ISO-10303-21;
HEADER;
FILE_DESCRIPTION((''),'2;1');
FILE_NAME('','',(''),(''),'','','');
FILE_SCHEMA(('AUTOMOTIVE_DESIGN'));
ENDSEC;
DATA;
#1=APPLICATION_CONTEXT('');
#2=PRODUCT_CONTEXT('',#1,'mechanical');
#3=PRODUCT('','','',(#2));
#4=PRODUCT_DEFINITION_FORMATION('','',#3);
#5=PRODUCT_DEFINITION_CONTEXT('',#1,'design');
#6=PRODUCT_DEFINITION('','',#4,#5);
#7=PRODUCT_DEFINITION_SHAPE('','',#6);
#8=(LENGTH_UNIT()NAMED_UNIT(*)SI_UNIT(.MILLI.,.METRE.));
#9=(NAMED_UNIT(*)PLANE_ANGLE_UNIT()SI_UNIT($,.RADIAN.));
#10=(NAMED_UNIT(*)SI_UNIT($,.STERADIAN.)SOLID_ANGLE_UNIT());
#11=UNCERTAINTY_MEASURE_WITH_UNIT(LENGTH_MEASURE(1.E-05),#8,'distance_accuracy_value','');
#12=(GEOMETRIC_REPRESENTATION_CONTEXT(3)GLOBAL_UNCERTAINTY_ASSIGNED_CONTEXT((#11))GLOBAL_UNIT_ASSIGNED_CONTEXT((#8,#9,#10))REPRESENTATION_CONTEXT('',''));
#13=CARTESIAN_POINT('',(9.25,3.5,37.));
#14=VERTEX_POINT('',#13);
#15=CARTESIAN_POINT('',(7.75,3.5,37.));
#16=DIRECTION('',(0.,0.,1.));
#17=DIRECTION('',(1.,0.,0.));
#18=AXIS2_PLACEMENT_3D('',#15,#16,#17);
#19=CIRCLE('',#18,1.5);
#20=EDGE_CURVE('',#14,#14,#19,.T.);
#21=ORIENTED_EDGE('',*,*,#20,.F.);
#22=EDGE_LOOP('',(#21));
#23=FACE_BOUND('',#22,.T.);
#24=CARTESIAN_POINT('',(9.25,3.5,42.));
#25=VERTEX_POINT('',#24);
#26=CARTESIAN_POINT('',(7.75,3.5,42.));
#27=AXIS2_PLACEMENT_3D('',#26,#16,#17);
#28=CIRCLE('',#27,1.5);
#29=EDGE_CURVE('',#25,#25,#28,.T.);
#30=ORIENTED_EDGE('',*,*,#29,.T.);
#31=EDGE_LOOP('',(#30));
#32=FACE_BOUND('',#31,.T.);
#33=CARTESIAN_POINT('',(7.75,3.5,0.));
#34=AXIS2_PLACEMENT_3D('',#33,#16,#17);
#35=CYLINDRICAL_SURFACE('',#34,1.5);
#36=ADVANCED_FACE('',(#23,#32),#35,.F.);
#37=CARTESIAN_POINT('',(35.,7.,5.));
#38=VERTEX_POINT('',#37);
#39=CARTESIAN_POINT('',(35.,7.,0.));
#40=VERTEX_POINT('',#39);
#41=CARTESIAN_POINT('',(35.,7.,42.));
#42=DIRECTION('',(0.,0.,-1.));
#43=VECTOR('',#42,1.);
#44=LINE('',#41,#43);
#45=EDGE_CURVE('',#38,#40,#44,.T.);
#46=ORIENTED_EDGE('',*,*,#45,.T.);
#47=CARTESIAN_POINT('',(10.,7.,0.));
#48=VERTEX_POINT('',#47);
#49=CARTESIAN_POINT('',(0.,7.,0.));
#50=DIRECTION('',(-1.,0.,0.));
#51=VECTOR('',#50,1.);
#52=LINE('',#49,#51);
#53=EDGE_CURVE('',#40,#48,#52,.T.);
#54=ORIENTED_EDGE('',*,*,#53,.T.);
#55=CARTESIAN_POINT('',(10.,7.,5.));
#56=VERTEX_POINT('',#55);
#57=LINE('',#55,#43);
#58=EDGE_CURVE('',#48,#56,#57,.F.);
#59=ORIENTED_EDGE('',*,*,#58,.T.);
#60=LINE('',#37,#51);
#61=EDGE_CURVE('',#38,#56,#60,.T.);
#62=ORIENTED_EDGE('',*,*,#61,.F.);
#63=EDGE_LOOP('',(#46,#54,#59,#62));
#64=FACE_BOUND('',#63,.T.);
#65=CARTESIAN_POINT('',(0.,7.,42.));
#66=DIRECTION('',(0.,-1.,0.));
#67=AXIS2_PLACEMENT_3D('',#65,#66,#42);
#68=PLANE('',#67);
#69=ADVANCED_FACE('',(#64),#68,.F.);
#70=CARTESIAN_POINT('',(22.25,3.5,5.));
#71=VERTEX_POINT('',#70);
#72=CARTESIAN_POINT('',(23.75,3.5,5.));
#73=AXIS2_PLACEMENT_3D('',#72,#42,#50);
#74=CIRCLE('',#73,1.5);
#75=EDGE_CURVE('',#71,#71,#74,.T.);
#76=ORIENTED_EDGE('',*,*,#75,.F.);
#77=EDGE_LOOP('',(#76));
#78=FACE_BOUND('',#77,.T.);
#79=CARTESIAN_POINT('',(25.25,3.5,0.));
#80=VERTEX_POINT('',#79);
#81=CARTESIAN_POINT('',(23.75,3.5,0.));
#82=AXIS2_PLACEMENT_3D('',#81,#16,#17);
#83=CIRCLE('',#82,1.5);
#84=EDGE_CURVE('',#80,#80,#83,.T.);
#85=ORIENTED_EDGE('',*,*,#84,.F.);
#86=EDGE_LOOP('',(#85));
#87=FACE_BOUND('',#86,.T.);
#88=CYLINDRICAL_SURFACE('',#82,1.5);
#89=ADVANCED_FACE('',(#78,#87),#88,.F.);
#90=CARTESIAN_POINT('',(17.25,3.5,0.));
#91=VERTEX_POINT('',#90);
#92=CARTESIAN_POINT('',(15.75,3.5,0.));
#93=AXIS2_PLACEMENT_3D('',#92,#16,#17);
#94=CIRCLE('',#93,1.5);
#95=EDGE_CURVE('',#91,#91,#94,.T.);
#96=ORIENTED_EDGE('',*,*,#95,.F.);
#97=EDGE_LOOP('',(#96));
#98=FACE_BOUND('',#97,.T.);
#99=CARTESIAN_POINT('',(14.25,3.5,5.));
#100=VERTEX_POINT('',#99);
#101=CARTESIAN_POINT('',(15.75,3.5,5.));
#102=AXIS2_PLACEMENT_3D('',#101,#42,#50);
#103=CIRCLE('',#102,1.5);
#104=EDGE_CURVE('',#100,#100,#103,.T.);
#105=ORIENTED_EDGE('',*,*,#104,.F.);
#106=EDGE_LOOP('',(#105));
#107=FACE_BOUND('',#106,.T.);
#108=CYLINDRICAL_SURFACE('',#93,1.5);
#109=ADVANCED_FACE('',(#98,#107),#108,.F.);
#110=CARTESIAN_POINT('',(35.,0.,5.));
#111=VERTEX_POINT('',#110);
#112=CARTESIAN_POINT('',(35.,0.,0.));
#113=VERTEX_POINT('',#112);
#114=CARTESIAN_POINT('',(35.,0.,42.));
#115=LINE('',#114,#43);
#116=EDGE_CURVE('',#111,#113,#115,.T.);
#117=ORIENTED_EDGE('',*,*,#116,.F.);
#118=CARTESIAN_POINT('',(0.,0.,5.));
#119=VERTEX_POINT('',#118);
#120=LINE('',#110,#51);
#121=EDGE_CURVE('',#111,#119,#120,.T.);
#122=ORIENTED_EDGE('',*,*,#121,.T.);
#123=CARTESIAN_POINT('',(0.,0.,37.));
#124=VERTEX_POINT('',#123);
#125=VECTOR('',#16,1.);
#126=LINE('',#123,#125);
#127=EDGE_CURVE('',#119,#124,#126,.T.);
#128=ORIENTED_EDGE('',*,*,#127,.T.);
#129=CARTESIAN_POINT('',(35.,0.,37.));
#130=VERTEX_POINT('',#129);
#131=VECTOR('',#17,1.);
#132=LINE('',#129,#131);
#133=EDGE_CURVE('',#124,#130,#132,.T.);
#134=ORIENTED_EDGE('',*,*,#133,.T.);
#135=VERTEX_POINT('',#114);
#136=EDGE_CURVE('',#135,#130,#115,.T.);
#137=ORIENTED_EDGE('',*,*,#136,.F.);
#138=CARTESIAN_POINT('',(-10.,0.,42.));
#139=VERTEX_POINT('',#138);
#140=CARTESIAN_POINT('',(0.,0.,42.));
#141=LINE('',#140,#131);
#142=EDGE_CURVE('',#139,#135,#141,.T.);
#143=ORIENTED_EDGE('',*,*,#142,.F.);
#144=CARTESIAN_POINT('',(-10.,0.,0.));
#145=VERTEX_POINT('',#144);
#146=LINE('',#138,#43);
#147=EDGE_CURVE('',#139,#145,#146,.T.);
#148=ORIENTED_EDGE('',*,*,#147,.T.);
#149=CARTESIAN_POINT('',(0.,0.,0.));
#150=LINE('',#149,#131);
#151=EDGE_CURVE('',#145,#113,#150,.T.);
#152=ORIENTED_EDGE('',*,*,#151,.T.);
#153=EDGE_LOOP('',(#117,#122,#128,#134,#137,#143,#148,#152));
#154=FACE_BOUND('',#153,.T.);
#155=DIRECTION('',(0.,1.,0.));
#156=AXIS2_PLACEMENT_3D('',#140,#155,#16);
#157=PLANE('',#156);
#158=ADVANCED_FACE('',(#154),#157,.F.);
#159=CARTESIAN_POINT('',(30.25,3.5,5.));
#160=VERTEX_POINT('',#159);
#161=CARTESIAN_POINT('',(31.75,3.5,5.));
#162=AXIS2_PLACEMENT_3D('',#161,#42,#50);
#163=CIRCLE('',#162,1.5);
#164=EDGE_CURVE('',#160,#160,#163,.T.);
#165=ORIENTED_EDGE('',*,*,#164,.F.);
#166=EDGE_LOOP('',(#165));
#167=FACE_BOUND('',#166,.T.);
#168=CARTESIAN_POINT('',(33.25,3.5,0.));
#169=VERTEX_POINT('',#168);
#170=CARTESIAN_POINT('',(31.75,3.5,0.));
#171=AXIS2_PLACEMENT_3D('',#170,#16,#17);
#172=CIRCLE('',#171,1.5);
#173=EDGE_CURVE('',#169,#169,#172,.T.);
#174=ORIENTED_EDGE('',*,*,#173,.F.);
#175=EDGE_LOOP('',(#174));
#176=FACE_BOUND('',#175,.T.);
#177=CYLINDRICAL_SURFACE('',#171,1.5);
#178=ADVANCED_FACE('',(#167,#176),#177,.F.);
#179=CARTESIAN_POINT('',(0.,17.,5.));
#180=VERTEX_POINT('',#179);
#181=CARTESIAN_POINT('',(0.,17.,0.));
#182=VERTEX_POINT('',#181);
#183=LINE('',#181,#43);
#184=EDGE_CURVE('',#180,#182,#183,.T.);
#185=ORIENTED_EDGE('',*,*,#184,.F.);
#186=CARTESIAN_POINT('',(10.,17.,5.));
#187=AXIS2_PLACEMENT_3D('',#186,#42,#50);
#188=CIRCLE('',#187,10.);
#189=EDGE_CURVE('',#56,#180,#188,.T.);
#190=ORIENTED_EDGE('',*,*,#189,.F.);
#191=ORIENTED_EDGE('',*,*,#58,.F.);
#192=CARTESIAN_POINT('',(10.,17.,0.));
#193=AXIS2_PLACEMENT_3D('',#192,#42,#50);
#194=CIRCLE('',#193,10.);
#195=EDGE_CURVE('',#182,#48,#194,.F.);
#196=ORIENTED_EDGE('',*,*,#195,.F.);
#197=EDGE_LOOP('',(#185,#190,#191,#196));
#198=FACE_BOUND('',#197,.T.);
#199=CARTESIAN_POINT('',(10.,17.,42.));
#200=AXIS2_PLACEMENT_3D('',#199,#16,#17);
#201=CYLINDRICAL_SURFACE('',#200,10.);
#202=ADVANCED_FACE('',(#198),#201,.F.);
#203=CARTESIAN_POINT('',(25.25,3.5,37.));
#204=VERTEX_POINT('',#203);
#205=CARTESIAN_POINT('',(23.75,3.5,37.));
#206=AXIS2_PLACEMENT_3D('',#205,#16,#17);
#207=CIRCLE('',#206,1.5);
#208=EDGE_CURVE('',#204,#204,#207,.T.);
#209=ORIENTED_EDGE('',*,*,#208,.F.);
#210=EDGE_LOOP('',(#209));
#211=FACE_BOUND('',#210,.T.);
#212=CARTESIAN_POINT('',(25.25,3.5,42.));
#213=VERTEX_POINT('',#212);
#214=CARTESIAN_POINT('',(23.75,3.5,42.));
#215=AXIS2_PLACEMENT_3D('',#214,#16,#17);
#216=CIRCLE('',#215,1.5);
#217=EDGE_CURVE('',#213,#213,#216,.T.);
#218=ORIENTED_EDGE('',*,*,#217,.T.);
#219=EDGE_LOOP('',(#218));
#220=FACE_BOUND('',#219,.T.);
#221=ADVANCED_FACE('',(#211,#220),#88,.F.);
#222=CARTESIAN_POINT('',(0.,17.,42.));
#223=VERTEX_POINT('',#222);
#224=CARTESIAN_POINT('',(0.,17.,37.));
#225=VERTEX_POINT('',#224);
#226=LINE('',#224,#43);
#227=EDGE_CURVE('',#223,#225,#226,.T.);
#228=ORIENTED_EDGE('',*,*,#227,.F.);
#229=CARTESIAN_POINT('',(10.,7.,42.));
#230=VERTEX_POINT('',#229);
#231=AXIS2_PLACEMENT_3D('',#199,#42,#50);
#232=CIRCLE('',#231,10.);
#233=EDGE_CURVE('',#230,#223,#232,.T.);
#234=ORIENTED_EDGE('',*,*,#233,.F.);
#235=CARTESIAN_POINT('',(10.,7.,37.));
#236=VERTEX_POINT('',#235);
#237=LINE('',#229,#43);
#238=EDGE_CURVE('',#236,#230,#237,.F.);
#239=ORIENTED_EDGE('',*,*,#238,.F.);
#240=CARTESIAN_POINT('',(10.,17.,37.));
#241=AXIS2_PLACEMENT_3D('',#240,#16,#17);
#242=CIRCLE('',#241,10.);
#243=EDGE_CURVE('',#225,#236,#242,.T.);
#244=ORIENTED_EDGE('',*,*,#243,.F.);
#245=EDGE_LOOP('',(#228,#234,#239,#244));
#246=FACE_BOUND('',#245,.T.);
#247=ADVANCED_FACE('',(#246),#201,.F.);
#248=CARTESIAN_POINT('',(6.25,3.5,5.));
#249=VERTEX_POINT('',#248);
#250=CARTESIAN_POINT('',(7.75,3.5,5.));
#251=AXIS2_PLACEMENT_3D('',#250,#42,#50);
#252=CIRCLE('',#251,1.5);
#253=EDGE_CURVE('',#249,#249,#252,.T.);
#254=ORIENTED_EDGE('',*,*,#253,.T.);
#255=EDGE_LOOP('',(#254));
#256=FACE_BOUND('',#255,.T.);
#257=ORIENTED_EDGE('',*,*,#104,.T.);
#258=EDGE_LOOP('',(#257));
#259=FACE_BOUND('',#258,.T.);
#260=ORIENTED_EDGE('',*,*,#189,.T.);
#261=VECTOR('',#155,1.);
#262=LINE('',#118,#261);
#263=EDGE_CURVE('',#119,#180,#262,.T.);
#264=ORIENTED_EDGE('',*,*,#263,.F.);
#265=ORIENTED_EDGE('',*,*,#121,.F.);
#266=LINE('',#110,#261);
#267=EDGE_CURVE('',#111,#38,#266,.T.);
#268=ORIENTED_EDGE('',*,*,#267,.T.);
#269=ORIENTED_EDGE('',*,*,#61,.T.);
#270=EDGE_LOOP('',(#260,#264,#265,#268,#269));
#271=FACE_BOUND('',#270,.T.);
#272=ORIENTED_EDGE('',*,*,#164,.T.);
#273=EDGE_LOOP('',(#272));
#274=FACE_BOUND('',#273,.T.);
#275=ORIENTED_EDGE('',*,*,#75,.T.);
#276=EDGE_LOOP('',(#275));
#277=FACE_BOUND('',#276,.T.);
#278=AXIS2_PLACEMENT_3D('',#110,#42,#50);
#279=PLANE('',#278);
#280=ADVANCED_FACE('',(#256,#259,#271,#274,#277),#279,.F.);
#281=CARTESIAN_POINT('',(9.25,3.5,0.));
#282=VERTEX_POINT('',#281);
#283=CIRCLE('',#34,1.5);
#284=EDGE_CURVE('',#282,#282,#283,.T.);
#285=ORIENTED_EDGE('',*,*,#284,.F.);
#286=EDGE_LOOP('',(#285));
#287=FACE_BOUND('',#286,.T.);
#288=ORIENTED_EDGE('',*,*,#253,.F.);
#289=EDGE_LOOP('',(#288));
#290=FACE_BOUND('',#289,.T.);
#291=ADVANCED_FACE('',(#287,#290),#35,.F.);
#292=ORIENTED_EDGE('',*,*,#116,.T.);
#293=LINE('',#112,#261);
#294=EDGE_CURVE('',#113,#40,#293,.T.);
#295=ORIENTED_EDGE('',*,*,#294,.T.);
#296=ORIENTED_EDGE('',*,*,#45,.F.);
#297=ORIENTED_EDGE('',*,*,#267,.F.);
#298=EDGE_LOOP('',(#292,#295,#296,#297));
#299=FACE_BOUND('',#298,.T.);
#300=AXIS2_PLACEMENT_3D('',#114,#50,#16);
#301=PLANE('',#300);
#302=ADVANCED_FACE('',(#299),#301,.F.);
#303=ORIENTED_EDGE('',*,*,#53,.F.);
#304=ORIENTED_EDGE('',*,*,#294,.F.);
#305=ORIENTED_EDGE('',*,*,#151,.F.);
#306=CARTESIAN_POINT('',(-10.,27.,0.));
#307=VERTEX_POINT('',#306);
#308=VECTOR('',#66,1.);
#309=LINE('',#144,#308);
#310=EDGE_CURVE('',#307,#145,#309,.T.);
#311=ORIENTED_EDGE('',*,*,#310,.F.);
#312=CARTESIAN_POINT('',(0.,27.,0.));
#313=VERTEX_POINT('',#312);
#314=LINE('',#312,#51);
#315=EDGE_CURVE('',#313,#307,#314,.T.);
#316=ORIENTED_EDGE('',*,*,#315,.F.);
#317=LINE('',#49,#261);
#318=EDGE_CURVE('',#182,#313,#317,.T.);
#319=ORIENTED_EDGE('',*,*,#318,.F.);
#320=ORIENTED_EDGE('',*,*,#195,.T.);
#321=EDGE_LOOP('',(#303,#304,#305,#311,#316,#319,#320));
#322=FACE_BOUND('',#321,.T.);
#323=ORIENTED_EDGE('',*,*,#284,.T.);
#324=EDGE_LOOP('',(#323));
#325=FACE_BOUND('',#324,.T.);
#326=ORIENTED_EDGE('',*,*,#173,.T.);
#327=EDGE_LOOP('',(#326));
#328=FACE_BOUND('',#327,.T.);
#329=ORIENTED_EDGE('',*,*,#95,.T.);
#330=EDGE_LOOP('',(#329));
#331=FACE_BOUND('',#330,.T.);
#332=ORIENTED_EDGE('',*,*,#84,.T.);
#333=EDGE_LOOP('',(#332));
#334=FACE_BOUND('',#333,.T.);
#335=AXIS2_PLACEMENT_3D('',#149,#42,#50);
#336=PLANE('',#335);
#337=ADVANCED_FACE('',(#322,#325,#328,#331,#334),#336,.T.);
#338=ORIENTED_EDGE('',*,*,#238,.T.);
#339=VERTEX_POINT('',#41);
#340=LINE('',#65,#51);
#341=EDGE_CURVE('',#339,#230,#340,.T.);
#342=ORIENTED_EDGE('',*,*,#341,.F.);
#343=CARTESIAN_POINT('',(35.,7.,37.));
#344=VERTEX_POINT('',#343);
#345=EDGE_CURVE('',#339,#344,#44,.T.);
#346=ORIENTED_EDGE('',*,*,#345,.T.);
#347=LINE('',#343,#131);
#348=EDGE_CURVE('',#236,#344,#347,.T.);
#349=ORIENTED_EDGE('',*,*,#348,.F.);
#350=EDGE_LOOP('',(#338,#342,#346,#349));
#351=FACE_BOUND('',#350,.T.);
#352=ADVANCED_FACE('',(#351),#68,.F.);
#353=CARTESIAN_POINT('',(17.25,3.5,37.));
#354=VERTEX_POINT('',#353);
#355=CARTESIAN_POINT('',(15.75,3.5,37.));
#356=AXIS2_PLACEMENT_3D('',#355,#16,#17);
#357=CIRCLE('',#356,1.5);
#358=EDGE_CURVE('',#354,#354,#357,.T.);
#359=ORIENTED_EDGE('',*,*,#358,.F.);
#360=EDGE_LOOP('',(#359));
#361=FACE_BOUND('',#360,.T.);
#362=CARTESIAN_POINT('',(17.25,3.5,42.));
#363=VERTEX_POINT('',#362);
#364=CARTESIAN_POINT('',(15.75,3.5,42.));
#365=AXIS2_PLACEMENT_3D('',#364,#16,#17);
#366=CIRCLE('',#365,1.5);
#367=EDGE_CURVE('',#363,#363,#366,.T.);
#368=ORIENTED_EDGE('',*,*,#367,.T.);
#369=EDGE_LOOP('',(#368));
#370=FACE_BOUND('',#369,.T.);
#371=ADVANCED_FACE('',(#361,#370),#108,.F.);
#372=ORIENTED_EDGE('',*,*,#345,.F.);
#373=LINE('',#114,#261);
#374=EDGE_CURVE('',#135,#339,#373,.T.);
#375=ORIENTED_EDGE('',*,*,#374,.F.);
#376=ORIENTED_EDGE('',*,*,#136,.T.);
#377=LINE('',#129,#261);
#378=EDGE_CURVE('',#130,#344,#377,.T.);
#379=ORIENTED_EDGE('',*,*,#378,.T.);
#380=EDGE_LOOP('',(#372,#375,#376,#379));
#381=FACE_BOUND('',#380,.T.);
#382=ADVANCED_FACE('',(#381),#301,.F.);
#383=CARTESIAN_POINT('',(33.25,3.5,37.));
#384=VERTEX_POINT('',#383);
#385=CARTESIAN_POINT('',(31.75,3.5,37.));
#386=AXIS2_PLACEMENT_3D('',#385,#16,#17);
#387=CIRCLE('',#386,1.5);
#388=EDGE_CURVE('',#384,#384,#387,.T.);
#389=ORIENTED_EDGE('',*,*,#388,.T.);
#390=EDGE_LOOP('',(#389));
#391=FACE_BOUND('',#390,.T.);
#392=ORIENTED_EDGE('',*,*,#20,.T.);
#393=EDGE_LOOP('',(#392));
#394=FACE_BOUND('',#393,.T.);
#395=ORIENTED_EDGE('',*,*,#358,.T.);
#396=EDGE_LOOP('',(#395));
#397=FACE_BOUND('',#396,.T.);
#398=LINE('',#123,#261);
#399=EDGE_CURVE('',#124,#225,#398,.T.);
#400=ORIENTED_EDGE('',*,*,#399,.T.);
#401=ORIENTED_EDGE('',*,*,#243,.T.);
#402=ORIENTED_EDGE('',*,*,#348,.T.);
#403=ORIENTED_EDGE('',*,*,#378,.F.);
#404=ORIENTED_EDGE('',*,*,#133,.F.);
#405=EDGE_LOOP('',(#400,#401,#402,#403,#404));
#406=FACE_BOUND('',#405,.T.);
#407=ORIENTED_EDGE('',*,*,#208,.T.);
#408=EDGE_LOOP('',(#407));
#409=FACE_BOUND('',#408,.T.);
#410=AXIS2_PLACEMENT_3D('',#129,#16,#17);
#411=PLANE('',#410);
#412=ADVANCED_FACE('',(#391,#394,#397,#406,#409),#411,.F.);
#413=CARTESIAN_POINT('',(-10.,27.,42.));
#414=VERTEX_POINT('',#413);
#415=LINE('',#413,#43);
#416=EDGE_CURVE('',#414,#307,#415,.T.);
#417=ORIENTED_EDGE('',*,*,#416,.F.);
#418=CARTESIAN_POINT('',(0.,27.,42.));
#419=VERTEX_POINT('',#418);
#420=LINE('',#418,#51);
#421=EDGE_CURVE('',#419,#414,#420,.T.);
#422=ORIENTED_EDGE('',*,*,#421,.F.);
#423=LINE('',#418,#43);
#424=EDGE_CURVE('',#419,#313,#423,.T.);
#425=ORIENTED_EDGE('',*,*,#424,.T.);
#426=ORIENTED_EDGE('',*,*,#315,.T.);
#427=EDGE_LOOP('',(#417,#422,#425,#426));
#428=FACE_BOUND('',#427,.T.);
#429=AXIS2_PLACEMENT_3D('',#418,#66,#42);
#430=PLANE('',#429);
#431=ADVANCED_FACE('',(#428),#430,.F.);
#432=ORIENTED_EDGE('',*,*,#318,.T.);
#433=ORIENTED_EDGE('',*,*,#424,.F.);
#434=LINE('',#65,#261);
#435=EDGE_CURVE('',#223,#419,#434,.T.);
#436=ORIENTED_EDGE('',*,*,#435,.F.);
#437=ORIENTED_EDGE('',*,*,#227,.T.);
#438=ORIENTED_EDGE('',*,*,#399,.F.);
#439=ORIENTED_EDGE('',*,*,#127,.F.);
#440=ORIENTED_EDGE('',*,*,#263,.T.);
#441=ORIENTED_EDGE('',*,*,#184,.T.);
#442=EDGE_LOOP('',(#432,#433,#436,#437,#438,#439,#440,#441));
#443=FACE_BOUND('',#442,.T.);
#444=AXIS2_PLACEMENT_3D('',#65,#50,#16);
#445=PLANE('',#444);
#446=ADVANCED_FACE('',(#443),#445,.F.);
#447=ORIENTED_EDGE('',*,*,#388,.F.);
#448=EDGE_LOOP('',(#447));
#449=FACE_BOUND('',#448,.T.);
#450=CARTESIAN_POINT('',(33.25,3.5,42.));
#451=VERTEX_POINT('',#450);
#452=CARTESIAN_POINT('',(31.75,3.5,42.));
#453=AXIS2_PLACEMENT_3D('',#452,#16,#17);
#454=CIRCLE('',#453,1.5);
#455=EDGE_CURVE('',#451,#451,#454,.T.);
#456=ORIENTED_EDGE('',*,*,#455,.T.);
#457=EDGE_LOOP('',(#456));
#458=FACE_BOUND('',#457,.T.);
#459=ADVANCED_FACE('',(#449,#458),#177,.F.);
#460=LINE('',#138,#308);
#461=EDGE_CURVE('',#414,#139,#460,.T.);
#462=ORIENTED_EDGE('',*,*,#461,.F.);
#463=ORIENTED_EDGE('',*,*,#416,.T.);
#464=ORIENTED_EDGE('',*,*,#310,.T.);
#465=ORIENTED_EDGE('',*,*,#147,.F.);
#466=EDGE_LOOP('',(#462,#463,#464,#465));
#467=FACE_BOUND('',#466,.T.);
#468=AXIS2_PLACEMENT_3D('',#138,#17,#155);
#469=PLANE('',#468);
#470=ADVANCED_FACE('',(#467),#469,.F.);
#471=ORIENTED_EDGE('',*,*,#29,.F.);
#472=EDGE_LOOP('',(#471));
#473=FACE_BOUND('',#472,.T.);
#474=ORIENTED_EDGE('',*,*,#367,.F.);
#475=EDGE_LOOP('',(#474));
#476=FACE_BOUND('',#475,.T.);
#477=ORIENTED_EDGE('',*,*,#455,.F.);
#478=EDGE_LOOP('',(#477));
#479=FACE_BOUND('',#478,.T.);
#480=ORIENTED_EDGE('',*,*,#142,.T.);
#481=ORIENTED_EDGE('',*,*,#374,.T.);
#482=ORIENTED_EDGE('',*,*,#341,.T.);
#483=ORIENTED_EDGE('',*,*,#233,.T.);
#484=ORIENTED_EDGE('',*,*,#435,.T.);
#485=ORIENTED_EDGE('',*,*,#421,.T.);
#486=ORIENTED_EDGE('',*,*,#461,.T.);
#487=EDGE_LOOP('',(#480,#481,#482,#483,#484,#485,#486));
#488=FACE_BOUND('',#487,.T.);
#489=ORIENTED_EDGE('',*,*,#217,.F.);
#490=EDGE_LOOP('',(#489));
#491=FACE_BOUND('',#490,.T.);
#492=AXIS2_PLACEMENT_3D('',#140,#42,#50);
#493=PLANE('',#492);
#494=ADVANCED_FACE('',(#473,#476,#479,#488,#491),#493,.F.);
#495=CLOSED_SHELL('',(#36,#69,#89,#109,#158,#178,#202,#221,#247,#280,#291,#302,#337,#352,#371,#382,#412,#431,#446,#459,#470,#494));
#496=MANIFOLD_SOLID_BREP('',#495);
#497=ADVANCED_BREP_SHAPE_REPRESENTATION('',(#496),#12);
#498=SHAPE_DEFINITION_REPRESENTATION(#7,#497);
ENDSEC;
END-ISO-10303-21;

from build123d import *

# Parameters (mm, degrees)
BOSS_EXTRU_1_DEPTH      = 42
ESQUISSE3_W             = 35
ESQUISSE3_H             = 32
ENL_V_MAT_EXTRU_2_DEPTH = 8
ESQUISSE2_R             = 1.5
ENL_V_MAT_EXTRU_3_DEPTH = 43
CONG_1_R                = 10


with BuildPart() as part:
    # Esquisse1 → Boss.-Extru.1 (new body)
    with BuildSketch(Plane.XY):
        Polygon((0, 7), (0, 27), (-10, 27), (-10, 0), (0, 0), (35, 0), (35, 7), align=None)
    extrude(amount=BOSS_EXTRU_1_DEPTH)

    # Esquisse3 → Enlèv. mat.-Extru.2 (cut, through all)
    with BuildSketch(Plane(origin=(0, 7, 0), x_dir=(1, 0, 0), z_dir=(0, 1, 0))):
        with Locations((17.5, -21)):
            Rectangle(ESQUISSE3_W, ESQUISSE3_H)
    extrude(amount=-ENL_V_MAT_EXTRU_2_DEPTH, mode=Mode.SUBTRACT)

    # Esquisse2 → Enlèv. mat.-Extru.3 (cut, through all)
    with BuildSketch(Plane.XY.offset(42)):
        with Locations((31.75, 3.5)):
            Circle(ESQUISSE2_R)
        with Locations((23.75, 3.5)):
            Circle(ESQUISSE2_R)
        with Locations((15.75, 3.5)):
            Circle(ESQUISSE2_R)
        with Locations((7.75, 3.5)):
            Circle(ESQUISSE2_R)
    extrude(amount=-ENL_V_MAT_EXTRU_3_DEPTH, mode=Mode.SUBTRACT)

    # Congé1
    cong_1_edges = [part.edges().sort_by_distance(p)[0] for p in [
        (0, 7, 39.5),
        (0, 7, 2.5),
    ]]
    fillet(cong_1_edges, radius=CONG_1_R)


solid = part.part
